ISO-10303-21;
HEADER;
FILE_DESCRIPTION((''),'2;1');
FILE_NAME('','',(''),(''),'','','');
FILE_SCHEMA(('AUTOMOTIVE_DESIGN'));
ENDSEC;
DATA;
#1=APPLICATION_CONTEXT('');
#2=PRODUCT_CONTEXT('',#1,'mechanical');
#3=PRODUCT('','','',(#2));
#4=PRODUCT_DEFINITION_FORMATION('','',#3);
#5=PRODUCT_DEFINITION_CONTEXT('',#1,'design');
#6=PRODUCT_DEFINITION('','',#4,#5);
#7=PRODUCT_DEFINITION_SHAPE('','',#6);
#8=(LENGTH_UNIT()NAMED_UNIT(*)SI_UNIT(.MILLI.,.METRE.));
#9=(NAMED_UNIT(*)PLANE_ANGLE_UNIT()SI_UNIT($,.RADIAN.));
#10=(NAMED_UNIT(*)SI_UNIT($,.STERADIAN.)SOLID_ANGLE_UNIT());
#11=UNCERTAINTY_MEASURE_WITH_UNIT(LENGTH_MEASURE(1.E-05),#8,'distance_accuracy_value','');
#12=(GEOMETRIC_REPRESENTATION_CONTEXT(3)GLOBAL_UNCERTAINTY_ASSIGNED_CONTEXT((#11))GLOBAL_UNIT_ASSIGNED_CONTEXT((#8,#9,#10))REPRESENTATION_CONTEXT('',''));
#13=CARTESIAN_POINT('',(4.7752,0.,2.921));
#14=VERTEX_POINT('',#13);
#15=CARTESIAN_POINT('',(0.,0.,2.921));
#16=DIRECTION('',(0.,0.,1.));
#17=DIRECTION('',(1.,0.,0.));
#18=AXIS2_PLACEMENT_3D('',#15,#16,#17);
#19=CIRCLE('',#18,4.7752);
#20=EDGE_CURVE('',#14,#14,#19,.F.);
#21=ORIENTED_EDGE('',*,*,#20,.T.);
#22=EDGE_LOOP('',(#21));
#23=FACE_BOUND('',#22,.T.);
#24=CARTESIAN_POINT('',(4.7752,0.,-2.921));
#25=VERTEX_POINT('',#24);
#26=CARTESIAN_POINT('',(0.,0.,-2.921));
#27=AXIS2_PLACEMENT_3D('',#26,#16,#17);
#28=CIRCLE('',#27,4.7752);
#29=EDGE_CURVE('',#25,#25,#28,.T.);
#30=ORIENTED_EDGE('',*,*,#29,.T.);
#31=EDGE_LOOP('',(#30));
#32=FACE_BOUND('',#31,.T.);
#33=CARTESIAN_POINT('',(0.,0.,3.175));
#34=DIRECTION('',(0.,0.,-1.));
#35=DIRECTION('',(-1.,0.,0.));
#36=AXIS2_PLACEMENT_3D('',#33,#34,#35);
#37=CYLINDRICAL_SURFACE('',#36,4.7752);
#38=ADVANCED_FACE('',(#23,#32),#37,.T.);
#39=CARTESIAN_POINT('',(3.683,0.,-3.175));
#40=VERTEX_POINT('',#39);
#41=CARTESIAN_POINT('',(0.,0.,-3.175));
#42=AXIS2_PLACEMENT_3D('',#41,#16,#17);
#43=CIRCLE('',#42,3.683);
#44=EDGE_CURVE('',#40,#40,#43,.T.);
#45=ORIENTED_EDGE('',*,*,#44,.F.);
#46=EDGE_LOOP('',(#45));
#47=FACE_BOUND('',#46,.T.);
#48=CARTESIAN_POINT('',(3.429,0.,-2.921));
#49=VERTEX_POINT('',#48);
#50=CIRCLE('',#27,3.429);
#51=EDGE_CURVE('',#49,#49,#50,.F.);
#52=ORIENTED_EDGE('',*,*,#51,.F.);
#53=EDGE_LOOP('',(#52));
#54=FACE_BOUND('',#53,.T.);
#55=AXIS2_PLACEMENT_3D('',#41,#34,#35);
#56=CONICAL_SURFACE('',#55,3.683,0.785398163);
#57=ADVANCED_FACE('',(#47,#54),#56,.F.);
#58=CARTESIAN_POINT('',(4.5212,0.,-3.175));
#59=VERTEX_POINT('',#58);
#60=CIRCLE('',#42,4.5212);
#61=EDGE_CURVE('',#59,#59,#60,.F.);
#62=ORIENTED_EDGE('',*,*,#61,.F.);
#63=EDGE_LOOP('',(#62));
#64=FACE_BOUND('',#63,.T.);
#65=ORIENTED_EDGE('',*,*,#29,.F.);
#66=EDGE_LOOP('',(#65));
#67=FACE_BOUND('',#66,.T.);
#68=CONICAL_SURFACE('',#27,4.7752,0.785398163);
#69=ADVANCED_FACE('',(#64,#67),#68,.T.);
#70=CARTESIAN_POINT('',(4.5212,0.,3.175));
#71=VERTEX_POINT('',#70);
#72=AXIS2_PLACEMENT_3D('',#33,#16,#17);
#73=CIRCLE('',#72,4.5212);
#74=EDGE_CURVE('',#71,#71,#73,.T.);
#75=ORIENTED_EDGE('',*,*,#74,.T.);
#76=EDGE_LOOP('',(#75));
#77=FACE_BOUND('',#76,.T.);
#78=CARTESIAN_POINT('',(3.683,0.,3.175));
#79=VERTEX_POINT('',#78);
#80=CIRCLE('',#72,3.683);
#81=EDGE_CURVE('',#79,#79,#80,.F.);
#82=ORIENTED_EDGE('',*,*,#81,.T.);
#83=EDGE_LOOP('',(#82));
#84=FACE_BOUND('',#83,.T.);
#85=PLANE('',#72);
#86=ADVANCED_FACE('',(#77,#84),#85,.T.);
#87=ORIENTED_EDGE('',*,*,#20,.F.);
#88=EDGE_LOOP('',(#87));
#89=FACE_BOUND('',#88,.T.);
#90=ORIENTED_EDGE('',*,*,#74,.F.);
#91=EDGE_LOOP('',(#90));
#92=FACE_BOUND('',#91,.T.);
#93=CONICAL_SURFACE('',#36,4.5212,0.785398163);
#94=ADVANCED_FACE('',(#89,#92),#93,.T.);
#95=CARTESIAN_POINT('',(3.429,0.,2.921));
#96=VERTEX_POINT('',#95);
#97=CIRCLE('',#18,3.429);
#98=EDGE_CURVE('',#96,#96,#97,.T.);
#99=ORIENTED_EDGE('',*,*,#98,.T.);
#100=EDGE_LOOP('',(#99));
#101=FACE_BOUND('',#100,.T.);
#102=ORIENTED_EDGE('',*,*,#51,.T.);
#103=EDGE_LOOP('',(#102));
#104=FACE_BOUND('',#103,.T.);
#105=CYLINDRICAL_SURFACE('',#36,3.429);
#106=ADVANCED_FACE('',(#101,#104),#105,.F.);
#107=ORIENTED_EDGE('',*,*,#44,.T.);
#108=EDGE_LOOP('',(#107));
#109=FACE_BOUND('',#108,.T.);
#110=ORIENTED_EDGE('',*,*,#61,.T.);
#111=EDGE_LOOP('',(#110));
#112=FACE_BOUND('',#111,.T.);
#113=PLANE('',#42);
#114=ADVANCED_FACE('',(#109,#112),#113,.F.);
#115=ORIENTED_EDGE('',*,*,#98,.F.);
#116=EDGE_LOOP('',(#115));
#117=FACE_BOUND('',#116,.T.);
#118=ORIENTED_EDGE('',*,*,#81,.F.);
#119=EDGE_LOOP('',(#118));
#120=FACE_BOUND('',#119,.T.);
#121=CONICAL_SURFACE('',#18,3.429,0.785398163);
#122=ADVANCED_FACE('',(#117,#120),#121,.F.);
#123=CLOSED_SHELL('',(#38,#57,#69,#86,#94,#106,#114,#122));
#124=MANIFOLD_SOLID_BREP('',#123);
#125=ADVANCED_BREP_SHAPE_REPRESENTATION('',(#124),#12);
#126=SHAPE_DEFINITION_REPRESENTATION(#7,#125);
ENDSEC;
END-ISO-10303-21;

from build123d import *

# Parameters (mm, degrees)
SKETCH1_R      = 4.7752
SKETCH1_R_2    = 3.429
EXTRUDE1_DEPTH = 3.175
CHAMFER1_SIZE  = 0.254


with BuildPart() as part:
    # Sketch1 → Extrude1 (new body, symmetric)
    with BuildSketch(Plane.XY):
        Circle(SKETCH1_R)
        Circle(SKETCH1_R_2, mode=Mode.SUBTRACT)
    extrude(amount=EXTRUDE1_DEPTH, both=True)

    # Chamfer1
    chamfer1_edges = [part.edges().sort_by_distance(p)[0] for p in [
        (-4.7752, 0, -3.175),
        (-4.7752, 0, 3.175),
        (-3.429, 0, -3.175),
        (-3.429, 0, 3.175),
    ]]
    chamfer(chamfer1_edges, length=CHAMFER1_SIZE)


solid = part.part
